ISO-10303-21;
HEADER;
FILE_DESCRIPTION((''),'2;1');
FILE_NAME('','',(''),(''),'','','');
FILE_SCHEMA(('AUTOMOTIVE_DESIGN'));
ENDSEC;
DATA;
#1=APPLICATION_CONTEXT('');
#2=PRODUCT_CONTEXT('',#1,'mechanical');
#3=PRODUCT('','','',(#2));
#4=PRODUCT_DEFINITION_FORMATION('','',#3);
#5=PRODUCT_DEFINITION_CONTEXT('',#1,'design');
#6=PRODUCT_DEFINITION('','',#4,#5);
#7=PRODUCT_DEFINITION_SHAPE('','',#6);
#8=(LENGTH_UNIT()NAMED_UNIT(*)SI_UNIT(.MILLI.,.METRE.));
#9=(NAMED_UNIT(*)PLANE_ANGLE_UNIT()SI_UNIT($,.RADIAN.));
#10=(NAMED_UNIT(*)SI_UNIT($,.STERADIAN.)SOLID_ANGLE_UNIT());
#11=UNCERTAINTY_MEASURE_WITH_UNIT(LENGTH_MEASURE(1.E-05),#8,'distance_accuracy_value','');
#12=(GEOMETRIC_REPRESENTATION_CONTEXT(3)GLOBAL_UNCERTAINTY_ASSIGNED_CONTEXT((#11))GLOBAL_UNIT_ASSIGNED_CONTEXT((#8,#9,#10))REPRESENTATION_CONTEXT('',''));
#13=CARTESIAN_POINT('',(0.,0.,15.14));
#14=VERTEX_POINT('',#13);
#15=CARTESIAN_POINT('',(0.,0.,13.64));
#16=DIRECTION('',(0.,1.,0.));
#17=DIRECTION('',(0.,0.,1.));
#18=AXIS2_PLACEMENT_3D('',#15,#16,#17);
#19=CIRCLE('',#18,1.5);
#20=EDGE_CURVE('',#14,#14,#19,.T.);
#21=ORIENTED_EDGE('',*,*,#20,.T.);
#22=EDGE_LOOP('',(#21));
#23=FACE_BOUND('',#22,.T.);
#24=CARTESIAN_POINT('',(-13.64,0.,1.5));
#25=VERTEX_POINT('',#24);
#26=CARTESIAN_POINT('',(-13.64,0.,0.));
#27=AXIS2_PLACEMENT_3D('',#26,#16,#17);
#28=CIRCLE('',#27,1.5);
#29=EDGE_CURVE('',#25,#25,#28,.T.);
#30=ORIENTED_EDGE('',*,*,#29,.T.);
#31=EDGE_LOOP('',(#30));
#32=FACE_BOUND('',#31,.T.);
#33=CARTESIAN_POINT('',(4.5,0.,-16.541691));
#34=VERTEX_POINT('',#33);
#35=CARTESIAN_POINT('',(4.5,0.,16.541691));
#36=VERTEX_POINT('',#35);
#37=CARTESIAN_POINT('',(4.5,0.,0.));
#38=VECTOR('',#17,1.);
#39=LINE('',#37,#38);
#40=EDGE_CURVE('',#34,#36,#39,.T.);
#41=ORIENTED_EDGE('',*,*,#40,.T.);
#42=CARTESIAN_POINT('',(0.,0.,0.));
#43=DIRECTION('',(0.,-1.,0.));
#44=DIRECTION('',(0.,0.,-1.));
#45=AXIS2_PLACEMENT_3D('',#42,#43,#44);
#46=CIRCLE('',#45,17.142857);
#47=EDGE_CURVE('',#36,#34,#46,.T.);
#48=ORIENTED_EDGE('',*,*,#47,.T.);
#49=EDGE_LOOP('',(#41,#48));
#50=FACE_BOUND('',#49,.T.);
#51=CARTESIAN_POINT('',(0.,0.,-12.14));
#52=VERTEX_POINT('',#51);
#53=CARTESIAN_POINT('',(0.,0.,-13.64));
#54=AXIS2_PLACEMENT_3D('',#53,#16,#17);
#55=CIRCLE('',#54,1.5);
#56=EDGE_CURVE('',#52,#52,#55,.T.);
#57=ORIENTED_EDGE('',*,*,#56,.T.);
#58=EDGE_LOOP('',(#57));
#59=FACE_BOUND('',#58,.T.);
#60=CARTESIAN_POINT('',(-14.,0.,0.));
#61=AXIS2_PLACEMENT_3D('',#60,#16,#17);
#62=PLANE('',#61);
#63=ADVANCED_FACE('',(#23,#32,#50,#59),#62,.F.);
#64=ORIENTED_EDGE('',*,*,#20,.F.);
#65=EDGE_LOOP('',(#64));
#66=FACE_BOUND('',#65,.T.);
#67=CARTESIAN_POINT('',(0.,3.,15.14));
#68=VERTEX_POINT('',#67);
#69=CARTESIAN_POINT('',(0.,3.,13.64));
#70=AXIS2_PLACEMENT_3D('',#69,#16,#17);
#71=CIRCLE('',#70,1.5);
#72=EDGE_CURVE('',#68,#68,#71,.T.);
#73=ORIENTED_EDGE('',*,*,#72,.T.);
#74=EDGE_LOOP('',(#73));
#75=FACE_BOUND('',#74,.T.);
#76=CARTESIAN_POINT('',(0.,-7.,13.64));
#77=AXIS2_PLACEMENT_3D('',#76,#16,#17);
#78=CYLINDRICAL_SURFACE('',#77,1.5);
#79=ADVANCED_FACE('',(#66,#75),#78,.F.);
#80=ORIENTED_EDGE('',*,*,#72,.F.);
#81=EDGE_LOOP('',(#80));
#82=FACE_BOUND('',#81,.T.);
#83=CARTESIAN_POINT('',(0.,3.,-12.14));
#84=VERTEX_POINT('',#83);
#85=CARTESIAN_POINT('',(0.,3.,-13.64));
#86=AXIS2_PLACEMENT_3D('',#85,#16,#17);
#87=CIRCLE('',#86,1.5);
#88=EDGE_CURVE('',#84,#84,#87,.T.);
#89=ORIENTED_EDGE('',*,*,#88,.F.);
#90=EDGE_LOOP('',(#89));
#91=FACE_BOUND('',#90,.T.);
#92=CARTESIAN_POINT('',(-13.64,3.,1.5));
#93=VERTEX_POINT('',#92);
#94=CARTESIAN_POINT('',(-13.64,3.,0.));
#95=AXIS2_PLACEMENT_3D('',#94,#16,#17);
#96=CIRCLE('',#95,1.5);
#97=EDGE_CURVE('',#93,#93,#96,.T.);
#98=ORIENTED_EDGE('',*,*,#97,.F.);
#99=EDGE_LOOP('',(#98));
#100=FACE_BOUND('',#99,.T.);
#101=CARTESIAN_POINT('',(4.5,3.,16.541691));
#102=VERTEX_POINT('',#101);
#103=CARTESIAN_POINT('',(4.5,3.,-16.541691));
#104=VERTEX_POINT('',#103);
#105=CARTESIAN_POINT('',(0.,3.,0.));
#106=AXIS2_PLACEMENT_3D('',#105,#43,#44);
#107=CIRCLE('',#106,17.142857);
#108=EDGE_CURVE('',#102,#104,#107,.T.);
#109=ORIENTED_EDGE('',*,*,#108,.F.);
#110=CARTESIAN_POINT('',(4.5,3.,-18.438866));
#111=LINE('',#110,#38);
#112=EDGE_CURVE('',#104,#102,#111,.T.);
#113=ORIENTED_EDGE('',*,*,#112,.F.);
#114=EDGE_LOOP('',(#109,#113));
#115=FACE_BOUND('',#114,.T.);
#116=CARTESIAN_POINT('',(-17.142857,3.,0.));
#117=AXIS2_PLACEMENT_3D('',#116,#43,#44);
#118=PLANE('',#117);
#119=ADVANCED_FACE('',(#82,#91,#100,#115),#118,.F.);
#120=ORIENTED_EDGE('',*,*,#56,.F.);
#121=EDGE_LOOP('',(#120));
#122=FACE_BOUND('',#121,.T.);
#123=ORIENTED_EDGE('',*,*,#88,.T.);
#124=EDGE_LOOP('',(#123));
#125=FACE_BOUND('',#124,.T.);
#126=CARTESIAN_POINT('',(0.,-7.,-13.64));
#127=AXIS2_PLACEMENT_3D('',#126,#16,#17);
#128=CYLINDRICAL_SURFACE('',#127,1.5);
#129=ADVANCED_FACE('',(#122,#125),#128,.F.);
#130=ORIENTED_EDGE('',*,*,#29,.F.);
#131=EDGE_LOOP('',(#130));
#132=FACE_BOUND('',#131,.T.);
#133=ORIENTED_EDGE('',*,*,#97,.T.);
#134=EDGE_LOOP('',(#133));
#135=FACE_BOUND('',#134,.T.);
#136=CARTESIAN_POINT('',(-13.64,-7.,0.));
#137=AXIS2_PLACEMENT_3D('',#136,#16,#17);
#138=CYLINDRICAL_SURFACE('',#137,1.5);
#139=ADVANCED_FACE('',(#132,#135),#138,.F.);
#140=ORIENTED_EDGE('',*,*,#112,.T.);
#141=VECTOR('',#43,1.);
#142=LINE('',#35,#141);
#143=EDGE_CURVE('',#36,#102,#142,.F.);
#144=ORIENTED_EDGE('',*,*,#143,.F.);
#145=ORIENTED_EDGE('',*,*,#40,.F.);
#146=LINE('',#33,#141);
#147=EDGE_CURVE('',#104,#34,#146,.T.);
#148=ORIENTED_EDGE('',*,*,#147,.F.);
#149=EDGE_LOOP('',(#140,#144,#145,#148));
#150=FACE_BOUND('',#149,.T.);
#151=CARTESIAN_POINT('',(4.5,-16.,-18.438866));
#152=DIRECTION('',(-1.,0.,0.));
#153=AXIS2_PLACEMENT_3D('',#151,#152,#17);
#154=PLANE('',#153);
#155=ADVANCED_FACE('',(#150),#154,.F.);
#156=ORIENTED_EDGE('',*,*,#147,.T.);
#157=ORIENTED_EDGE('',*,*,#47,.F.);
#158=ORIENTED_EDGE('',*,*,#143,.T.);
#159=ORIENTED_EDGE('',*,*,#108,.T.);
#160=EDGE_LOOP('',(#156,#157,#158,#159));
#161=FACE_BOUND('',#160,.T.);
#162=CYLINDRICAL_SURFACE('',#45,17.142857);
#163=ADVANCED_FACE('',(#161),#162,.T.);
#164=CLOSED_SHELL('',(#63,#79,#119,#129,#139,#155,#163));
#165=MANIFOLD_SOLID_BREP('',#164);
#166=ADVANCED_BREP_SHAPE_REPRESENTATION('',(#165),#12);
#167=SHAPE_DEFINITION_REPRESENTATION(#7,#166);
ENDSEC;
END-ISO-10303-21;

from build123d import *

# Parameters (mm, degrees)
CROQUIS2_R                 = 1.5
CORTAR_EXTRUIR1_DEPTH      = 10
CROQUIS3_R                 = 1.5
SALIENTE_EXTRUIR1_DEPTH    = 3
CORTAR_EXTRUIR2_DEPTH      = 21
CORTAR_EXTRUIR2_DEPTH_BACK = 19
CROQUIS4_W                 = 22.988642253
CROQUIS4_H                 = 9.839710734
CROQUIS5_W                 = 15
CROQUIS5_H                 = 36.969240602
CORTAR_EXTRUIR3_DEPTH      = 19
CROQUIS6_W                 = 9.874263727
CROQUIS6_H                 = 12.802666517
SALIENTE_EXTRUIR2_DEPTH    = 3


with BuildPart() as part:
    # Croquis1 → Revolución1 (revolve)
    with BuildSketch(Plane.XY, mode=Mode.PRIVATE) as revoluci_n1_sk:
        Polygon((-4, 0), (-4, 7), (-5, 7), (-10.142857143, 3), (-17.142857143, 3), (-17.142857143, 0), (-14, 0), align=None)
    revolve(revoluci_n1_sk.sketch.rotate(Axis((0, 0, 0), (0, 1, 0)), 270), axis=Axis((0, 0, 0), (0, 1, 0)))

    # Croquis2 → Cortar-Extruir1 (cut)
    with BuildSketch(Plane(origin=(0, 3, 0), x_dir=(1, 0, 0), z_dir=(0, 1, 0))):
        with Locations(Location((0, 13.64, 0), (0, 0, 270))):
            Circle(CROQUIS2_R)
        with Locations(Location((13.64, 0, 0), (0, 0, 270))):
            Circle(CROQUIS2_R)
        with Locations(Location((0, -13.64, 0), (0, 0, 270))):
            Circle(CROQUIS2_R)
        with Locations(Location((-13.64, 0, 0), (0, 0, 270))):
            Circle(CROQUIS2_R)
    extrude(amount=-CORTAR_EXTRUIR1_DEPTH, mode=Mode.SUBTRACT)

    # Croquis3 → Saliente-Extruir1 (add)
    with BuildSketch(Plane(origin=(0, 3, 0), x_dir=(1, 0, 0), z_dir=(0, 1, 0))):
        with Locations((13.64, 0)):
            Circle(CROQUIS3_R)
    extrude(amount=-SALIENTE_EXTRUIR1_DEPTH)

    # Croquis4 → Cortar-Extruir2 (cut, two sides: drawn at the far end of the back side and taken through both)
    with BuildSketch(Plane.XY.offset(-CORTAR_EXTRUIR2_DEPTH_BACK)):
        with Locations((-1.351463984, 7.919855367)):
            Rectangle(CROQUIS4_W, CROQUIS4_H)
    extrude(amount=CORTAR_EXTRUIR2_DEPTH + CORTAR_EXTRUIR2_DEPTH_BACK, mode=Mode.SUBTRACT)

    # Croquis5 → Cortar-Extruir3 (cut)
    with BuildSketch(Plane(origin=(0, 3, 0), x_dir=(1, 0, 0), z_dir=(0, 1, 0))):
        with Locations((12, -0.045754011)):
            Rectangle(CROQUIS5_W, CROQUIS5_H)
    extrude(amount=-CORTAR_EXTRUIR3_DEPTH, mode=Mode.SUBTRACT)

    # Croquis6 → Saliente-Extruir2 (add)
    with BuildSketch(Plane(origin=(0, 3, 0), x_dir=(1, 0, 0), z_dir=(0, 1, 0))):
        with Locations((-0.437131864, -0.705770923)):
            Rectangle(CROQUIS6_W, CROQUIS6_H)
    extrude(amount=-SALIENTE_EXTRUIR2_DEPTH)


solid = part.part
